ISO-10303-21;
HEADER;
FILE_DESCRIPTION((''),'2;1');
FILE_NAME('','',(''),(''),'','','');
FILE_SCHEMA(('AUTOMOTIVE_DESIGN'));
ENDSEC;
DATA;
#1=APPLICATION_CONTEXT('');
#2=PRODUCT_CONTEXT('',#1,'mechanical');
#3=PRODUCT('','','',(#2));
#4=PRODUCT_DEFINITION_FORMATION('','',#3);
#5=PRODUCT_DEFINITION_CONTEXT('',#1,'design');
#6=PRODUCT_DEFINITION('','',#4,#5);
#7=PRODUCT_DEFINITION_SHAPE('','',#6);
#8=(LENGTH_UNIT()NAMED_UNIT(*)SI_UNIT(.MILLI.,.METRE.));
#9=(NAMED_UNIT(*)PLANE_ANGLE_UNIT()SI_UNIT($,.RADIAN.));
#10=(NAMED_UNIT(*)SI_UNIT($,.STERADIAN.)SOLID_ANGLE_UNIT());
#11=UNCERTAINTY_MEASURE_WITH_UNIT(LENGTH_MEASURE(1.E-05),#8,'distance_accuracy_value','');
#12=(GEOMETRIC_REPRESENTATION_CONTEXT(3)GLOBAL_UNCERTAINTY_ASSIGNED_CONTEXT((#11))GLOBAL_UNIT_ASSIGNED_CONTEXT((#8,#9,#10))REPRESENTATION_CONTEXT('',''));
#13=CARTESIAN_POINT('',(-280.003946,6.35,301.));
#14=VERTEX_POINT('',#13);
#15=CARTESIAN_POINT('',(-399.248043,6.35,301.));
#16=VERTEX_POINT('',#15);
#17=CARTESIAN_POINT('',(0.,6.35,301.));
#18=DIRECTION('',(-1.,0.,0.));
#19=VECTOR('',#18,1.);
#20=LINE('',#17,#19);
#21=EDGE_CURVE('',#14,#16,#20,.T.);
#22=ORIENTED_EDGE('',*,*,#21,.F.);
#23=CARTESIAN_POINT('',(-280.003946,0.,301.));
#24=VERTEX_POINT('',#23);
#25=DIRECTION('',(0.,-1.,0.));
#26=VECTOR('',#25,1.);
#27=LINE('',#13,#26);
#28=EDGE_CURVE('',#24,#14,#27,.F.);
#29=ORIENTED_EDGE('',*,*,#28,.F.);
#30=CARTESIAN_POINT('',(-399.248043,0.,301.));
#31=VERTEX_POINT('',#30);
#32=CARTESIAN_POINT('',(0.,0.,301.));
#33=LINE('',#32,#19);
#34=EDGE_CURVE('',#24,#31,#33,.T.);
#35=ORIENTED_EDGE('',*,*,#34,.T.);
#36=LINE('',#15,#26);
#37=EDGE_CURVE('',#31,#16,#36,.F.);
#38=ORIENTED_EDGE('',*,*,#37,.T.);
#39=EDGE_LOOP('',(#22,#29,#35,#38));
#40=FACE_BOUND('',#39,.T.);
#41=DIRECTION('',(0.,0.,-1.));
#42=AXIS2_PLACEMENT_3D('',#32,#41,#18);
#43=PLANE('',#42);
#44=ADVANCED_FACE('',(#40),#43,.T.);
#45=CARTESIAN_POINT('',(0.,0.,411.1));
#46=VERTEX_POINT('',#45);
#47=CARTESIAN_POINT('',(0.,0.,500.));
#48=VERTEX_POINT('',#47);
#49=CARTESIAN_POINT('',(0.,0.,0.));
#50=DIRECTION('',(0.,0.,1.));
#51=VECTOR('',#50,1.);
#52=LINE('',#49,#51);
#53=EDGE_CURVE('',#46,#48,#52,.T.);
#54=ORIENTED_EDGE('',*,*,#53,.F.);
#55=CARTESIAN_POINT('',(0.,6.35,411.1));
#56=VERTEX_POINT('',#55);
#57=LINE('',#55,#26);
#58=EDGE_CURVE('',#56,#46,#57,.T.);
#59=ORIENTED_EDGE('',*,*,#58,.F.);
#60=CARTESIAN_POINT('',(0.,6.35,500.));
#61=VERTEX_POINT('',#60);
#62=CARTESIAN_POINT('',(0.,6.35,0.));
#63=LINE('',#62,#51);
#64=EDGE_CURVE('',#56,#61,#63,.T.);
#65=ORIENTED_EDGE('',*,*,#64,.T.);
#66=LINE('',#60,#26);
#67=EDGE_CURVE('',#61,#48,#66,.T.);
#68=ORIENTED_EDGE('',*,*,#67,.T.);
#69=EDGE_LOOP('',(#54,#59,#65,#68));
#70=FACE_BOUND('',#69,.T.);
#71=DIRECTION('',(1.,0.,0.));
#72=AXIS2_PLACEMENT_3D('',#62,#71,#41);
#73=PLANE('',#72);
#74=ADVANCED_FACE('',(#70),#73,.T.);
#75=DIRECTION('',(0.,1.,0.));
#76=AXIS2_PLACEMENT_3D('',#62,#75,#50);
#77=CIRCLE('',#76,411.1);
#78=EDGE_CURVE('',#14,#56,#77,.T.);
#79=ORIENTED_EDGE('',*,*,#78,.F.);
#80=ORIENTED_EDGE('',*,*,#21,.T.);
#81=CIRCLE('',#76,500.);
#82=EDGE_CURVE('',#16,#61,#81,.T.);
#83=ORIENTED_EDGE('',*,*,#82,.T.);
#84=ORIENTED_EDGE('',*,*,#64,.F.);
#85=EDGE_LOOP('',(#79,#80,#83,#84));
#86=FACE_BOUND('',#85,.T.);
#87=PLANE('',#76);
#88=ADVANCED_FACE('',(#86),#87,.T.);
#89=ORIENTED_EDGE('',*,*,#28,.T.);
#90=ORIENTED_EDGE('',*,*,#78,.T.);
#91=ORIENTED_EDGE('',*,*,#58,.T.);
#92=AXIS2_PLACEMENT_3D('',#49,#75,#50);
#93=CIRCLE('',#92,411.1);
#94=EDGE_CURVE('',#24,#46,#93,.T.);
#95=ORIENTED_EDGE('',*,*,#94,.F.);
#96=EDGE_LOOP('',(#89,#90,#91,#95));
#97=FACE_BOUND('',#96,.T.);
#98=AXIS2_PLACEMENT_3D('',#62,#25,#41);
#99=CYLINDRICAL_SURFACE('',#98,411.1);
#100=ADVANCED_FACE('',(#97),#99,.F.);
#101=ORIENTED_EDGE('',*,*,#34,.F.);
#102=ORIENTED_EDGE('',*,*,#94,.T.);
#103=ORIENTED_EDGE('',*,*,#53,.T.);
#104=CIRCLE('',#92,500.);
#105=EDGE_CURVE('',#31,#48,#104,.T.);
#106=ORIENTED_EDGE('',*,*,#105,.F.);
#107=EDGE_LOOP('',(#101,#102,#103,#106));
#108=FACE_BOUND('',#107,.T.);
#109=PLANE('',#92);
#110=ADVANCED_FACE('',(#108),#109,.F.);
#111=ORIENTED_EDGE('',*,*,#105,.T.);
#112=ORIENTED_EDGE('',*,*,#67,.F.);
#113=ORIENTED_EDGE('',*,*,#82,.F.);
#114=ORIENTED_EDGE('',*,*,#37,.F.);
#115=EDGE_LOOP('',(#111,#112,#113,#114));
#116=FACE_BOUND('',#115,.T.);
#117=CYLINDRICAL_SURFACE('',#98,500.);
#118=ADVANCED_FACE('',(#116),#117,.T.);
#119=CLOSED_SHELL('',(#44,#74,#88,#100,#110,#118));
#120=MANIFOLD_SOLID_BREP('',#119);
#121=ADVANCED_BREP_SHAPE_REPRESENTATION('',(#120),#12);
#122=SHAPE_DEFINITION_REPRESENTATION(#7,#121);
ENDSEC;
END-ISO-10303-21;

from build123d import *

# Parameters (mm, degrees)
BOSS_EXTRUDE1_DEPTH = 6.35
SKETCH3_W           = 88.9
SKETCH3_H           = 6.35
BOSS_EXTRUDE2_DEPTH = 80


with BuildPart() as part:
    # Sketch2 → Boss-Extrude1 (new body)
    with BuildSketch(Plane(origin=(0, 0, 0), x_dir=(1, 0, 0), z_dir=(0, 1, 0))):
        with BuildLine():
            ThreePointArc((0, -411.1), (-290.691597746, -290.691597746), (-411.1, 0))
            Line((-411.1, 0), (-500, 0))
            ThreePointArc((-500, 0), (-353.553390593, -353.553390593), (0, -500))
            Line((0, -500), (0, -411.1))
        make_face()
    extrude(amount=BOSS_EXTRUDE1_DEPTH)

    # Sketch3 → Boss-Extrude2 (add)
    with BuildSketch(Plane(origin=(0, 0, 0), x_dir=(-1, 0, 0), z_dir=(0, 0, -1))):
        with Locations((455.55, 3.175)):
            Rectangle(SKETCH3_W, SKETCH3_H)
    extrude(amount=BOSS_EXTRUDE2_DEPTH)

    # Split1
    split(bisect_by=Plane(origin=(0, 0, 301), x_dir=(-1, 0, 0), z_dir=(0, 0, -1)), keep=Keep.BOTTOM)


solid = part.part
